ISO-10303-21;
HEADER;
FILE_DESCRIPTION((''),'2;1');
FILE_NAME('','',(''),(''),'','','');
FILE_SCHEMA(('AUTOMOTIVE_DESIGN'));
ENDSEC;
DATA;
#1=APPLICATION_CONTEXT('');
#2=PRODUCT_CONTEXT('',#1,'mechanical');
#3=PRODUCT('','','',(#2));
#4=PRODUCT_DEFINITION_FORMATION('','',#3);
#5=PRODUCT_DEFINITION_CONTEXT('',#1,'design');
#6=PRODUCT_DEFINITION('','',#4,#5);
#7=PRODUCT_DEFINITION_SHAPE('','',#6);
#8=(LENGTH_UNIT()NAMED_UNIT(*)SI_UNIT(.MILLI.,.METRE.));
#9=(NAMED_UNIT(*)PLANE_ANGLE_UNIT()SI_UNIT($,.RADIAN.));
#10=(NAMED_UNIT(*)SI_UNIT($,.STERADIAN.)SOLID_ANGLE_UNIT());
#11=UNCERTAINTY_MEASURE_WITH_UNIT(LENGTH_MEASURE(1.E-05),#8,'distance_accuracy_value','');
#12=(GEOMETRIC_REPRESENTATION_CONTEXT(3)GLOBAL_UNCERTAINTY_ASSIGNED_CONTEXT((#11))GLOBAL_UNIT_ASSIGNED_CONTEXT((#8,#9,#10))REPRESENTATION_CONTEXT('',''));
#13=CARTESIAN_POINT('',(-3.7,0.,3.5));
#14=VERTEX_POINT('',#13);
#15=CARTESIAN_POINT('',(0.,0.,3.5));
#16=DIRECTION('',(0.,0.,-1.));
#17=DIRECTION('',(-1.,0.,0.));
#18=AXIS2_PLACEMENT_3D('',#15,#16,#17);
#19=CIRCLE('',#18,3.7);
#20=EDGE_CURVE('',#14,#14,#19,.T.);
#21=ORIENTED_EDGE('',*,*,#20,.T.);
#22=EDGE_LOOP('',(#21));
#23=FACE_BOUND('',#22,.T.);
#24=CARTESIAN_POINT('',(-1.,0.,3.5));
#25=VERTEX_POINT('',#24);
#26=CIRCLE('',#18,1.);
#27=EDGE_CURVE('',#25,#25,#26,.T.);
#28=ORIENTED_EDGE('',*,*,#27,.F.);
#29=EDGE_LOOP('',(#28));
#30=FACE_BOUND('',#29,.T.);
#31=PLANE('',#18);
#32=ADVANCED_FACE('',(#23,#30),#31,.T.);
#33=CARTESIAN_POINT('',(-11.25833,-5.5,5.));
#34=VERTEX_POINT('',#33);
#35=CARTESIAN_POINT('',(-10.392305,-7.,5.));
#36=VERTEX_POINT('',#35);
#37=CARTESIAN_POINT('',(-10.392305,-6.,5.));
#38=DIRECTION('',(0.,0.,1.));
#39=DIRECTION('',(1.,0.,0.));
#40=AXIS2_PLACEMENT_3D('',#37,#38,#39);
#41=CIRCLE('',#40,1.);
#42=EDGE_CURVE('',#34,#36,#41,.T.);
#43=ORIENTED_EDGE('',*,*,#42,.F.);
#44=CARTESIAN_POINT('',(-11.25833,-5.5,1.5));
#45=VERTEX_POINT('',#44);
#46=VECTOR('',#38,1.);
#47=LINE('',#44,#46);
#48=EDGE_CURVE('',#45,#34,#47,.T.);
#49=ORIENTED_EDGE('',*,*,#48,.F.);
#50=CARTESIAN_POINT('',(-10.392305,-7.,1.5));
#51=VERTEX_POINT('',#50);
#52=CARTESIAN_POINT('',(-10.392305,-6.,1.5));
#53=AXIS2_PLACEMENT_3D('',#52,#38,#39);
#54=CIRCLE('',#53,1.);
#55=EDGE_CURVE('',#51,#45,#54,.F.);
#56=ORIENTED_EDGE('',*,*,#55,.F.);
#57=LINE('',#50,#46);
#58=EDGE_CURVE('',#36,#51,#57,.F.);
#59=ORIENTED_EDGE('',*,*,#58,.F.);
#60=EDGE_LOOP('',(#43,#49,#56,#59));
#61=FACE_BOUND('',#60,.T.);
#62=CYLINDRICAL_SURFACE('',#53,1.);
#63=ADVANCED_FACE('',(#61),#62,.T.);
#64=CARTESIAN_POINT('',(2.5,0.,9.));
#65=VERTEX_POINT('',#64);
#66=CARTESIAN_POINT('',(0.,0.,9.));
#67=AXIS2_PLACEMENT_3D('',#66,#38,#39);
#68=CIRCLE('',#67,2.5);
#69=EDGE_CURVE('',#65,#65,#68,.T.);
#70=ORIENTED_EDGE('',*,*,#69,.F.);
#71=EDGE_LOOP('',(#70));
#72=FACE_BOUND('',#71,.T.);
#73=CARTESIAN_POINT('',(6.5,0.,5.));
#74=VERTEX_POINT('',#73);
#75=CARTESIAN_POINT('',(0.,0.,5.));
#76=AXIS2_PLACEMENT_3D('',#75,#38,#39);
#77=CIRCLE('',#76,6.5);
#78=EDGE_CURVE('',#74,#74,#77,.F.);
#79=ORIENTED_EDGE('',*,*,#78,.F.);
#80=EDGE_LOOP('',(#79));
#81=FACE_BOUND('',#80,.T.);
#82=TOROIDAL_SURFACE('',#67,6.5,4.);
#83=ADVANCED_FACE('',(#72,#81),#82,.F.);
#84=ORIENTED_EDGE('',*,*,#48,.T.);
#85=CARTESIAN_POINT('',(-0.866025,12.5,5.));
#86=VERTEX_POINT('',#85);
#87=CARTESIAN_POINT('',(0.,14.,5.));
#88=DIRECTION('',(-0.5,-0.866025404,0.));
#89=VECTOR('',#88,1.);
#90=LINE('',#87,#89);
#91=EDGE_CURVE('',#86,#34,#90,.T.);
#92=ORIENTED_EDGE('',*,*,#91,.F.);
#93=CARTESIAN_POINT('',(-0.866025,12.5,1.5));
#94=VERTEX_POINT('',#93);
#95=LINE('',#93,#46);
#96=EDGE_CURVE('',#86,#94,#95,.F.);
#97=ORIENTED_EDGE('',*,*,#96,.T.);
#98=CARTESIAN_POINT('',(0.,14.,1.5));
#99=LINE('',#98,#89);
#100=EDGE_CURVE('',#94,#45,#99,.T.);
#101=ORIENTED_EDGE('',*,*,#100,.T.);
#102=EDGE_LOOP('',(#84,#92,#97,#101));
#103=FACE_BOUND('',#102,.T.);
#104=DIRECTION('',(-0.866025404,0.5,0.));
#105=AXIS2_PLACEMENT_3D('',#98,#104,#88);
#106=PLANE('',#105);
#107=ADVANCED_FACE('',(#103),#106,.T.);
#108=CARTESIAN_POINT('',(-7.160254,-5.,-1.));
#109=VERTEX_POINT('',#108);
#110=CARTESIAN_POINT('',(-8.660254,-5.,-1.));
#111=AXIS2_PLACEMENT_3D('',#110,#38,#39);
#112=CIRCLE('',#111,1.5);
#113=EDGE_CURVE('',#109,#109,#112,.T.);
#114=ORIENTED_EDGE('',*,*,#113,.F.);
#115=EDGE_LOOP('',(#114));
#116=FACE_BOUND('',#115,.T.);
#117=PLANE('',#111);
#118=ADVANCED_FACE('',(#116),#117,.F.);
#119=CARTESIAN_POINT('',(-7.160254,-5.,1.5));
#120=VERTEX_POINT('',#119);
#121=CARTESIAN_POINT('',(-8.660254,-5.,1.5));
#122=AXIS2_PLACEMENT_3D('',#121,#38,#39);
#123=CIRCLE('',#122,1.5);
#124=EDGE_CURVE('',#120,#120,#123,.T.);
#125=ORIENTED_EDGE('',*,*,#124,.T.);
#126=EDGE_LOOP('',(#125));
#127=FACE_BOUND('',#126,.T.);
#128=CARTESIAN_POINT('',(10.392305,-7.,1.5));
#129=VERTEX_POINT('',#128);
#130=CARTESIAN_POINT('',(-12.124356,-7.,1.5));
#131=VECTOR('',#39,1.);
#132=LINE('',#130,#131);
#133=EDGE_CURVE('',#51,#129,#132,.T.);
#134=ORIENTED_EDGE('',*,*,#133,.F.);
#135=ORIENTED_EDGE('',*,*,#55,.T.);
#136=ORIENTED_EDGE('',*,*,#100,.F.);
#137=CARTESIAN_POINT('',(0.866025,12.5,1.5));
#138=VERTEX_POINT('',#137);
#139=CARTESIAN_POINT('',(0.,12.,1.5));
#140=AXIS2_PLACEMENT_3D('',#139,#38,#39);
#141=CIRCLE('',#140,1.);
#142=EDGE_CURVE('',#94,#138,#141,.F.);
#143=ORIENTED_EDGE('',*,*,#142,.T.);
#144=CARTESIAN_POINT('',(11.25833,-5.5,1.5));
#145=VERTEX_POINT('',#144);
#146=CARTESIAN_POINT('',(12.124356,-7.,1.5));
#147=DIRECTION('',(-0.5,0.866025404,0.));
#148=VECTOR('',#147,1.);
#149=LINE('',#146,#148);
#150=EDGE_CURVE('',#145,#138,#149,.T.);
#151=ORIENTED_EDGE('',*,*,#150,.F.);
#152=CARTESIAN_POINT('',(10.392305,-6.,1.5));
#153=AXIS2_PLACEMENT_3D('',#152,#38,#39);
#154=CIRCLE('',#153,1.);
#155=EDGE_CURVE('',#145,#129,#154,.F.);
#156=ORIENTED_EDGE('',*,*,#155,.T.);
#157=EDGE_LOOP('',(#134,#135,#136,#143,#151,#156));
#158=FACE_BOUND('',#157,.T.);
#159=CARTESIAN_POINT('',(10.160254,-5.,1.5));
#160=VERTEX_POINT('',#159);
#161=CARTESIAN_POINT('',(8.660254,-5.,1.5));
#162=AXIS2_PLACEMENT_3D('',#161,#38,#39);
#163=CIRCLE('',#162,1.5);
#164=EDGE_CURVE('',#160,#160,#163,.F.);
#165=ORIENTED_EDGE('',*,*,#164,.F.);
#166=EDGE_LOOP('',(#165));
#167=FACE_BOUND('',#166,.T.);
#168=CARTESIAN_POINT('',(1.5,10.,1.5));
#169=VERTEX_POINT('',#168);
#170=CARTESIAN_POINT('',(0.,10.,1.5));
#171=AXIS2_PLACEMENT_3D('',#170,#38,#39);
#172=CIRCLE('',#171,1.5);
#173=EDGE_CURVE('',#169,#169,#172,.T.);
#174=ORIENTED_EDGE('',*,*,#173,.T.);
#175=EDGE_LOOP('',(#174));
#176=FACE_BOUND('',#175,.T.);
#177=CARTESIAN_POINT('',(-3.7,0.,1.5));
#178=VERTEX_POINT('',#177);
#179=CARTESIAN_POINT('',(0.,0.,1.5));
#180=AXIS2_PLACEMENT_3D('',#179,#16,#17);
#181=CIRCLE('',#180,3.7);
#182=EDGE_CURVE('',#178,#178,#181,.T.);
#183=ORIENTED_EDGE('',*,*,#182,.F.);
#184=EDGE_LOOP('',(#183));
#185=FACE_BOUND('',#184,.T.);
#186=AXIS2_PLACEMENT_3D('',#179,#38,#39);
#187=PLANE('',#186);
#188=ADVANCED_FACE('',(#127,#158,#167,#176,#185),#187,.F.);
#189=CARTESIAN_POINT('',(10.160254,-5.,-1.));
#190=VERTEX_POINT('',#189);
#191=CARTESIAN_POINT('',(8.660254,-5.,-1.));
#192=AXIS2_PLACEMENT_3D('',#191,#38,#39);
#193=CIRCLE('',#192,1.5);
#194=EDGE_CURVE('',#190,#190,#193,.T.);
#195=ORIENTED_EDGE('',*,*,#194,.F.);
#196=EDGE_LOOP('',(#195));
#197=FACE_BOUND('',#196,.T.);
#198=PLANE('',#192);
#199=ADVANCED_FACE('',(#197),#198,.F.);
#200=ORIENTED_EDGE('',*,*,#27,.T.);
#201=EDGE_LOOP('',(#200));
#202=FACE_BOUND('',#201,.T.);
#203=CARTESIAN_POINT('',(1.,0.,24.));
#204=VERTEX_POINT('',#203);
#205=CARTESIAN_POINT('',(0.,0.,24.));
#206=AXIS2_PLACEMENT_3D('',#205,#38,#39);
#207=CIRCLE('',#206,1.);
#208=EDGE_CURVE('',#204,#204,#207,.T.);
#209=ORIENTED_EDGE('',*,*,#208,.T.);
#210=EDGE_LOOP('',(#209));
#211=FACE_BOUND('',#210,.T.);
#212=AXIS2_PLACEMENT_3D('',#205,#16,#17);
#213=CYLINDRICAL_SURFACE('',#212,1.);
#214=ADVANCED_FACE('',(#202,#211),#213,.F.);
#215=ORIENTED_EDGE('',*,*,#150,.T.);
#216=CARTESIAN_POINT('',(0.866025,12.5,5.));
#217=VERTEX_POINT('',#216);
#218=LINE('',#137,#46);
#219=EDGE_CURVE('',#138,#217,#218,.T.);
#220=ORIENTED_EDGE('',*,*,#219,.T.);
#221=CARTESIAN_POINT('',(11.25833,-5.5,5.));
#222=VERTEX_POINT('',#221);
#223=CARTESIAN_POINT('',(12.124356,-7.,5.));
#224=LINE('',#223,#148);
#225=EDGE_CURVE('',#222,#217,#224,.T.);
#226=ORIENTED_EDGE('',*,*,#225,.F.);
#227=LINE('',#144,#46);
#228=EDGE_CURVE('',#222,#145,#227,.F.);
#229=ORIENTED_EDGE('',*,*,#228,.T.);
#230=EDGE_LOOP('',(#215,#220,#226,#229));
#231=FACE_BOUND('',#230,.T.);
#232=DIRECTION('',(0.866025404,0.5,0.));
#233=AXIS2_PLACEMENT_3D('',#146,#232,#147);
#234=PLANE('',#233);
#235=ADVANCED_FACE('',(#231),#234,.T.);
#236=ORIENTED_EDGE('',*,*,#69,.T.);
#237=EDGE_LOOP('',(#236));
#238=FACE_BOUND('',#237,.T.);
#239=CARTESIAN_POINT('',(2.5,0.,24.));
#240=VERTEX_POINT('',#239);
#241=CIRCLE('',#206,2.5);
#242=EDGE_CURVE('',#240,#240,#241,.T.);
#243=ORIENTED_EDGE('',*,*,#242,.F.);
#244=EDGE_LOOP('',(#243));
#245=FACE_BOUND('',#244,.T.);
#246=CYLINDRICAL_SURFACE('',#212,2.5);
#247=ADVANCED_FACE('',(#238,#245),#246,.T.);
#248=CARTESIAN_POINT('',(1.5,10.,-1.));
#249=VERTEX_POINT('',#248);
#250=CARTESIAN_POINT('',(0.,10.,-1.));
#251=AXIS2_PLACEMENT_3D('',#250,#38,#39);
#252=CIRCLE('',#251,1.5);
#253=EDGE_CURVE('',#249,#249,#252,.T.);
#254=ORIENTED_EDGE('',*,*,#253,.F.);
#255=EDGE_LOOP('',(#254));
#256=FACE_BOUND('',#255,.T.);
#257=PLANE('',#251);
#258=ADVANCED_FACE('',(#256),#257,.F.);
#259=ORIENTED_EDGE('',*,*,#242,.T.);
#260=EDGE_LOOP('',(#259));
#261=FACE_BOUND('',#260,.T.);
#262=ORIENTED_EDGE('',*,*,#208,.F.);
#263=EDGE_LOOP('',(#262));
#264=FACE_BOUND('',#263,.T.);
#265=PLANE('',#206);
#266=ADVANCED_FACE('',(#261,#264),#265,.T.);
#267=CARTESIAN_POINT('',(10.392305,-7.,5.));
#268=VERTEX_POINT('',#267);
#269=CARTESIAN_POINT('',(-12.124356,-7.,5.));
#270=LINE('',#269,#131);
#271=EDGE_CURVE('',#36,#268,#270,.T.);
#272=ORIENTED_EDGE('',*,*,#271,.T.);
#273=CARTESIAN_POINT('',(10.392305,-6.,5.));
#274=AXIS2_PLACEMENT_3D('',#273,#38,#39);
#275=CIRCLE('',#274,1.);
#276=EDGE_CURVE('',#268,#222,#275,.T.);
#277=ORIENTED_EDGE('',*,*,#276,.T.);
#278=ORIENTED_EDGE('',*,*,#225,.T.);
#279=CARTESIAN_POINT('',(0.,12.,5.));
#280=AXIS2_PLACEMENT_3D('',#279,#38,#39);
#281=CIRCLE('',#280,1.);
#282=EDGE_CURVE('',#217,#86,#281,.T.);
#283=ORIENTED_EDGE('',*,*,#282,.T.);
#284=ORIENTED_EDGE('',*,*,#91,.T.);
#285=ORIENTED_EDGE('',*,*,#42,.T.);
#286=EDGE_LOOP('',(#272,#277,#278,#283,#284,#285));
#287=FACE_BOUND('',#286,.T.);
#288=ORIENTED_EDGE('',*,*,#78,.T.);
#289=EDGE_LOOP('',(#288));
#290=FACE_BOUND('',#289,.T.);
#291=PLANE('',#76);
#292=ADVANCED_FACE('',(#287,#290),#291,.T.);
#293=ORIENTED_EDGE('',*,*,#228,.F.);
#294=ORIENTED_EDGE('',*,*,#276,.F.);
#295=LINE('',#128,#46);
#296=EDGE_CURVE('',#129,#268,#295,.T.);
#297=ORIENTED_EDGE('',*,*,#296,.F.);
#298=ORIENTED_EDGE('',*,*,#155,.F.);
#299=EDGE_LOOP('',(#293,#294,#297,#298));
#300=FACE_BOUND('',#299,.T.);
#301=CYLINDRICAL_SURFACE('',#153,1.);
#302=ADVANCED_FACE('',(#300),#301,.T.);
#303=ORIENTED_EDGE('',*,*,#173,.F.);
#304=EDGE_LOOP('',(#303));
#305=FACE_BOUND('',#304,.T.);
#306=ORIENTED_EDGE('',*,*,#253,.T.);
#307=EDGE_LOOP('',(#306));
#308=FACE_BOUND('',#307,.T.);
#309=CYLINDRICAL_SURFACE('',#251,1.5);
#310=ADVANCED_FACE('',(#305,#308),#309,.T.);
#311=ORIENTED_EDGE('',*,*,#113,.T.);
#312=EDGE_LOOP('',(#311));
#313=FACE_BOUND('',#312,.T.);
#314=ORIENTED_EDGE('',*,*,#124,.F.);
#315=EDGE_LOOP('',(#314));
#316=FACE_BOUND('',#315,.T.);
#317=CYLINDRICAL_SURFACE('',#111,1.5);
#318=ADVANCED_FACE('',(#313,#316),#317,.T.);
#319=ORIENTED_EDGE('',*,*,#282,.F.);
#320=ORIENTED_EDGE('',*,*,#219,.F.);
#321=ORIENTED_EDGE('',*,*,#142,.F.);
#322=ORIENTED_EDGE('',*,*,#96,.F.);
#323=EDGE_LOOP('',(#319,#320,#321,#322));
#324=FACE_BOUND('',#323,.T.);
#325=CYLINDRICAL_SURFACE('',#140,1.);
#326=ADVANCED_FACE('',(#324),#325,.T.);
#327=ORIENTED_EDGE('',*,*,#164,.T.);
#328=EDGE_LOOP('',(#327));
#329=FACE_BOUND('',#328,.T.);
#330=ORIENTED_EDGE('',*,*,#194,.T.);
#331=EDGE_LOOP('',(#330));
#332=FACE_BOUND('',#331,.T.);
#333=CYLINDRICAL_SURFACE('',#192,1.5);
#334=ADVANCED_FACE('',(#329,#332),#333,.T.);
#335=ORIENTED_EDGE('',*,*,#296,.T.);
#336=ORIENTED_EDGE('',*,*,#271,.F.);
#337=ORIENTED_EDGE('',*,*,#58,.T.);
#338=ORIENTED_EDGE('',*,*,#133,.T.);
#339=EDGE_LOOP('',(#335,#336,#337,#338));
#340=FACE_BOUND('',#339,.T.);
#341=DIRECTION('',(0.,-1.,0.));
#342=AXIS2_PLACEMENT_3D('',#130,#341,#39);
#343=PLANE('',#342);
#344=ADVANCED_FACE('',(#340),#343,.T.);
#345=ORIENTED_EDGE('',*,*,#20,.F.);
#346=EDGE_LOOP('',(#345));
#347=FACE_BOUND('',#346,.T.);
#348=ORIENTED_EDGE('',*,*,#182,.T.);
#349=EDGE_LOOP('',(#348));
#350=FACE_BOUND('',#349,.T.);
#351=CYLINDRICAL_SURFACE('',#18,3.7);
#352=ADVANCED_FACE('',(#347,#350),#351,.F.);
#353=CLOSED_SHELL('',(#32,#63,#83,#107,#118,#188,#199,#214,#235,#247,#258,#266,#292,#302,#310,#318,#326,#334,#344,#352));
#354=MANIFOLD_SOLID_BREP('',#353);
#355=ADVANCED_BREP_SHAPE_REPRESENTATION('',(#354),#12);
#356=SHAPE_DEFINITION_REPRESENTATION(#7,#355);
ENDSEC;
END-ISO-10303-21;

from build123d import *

# Parameters (mm, degrees)
SKETCH_1_R             = 2.5
SKETCH_1_R_2           = 1
EXTRUDE_2_DEPTH        = 24
EXTRUDE_3_DEPTH        = 2
EXTRUDE_3_DEPTH_BACK   = 1
SKETCH_3_R             = 1.5
EXTRUDE_3_2_DEPTH      = 2
EXTRUDE_3_2_DEPTH_BACK = 1
EXTRUDE_3_3_DEPTH      = 2
EXTRUDE_3_3_DEPTH_BACK = 1
SKETCH_4_R             = 2.23
CUT_EXTRUDE_1_DEPTH    = 2
EXTRUDE_6_DEPTH        = 3
EXTRUDE_6_DEPTH_BACK   = 0.5
SKETCH_10_R            = 2.35
SKETCH_10_R_2          = 2.23
CUT_EXTRUDE_2_DEPTH    = 1
SKETCH_11_R            = 3.7
CUT_EXTRUDE_3_DEPTH    = 2
SKETCH_12_R            = 1
CUT_EXTRUDE_4_DEPTH    = 27.532998323
FILLET_5_R             = 1
FILLET_6_R             = 4
SKETCH_14_R            = 2.75
SKETCH_14_R_2          = 2.23
CUT_EXTRUDE_5_DEPTH    = 2


with BuildPart() as part:
    # ｽｹｯﾁ1 → ﾎﾞｽ - 押し出し2 (new body)
    with BuildSketch(Plane.XY):
        Circle(SKETCH_1_R)
        Circle(SKETCH_1_R_2, mode=Mode.SUBTRACT)
    extrude(amount=EXTRUDE_2_DEPTH)

    # ｽｹｯﾁ4 → ｶｯﾄ - 押し出し1 (cut)
    with BuildSketch(Plane(origin=(0, 0, 0), x_dir=(-1, 0, 0), z_dir=(0, 0, -1))):
        Circle(SKETCH_4_R)
    extrude(amount=-CUT_EXTRUDE_1_DEPTH, mode=Mode.SUBTRACT)



with BuildPart() as body_2:
    # ｽｹｯﾁ3 → ﾎﾞｽ - 押し出し3 (new, two sides: drawn at the far end of the back side and taken through both)
    with BuildSketch(Plane.XY.offset(-EXTRUDE_3_DEPTH_BACK)):
        with Locations((0, 10)):
            Circle(SKETCH_3_R)
    extrude(amount=EXTRUDE_3_DEPTH + EXTRUDE_3_DEPTH_BACK)


with BuildPart() as body_3:
    # ｽｹｯﾁ3 → Extrude 3 2 (new, two sides: drawn at the far end of the back side and taken through both)
    with BuildSketch(Plane.XY.offset(-EXTRUDE_3_2_DEPTH_BACK)):
        with Locations((8.660254038, -5)):
            Circle(SKETCH_3_R)
    extrude(amount=EXTRUDE_3_2_DEPTH + EXTRUDE_3_2_DEPTH_BACK)


with BuildPart() as body_4:
    # ｽｹｯﾁ3 → Extrude 3 3 (new, two sides: drawn at the far end of the back side and taken through both)
    with BuildSketch(Plane.XY.offset(-EXTRUDE_3_3_DEPTH_BACK)):
        with Locations((-8.660254038, -5)):
            Circle(SKETCH_3_R)
    extrude(amount=EXTRUDE_3_3_DEPTH + EXTRUDE_3_3_DEPTH_BACK)


with BuildPart() as part_1:
    add(part.part)

    add(body_2.part)  # ﾎﾞｽ - 押し出し6 merges body 2

    add(body_3.part)  # ﾎﾞｽ - 押し出し6 merges body 3

    add(body_4.part)  # ﾎﾞｽ - 押し出し6 merges body 4
    # ｽｹｯﾁ5 → ﾎﾞｽ - 押し出し6 (add, two sides: drawn at the far end of the back side and taken through both)
    with BuildSketch(Plane.XY.offset(2).offset(-EXTRUDE_6_DEPTH_BACK)):
        Polygon((0, 14), (-12.124355653, -7), (12.124355653, -7), align=None)
    extrude(amount=EXTRUDE_6_DEPTH + EXTRUDE_6_DEPTH_BACK)

    # ｽｹｯﾁ10 → ｶｯﾄ - 押し出し2 (cut)
    with BuildSketch(Plane(origin=(0, 0, 0), x_dir=(-1, 0, 0), z_dir=(0, 0, -1))):
        Circle(SKETCH_10_R)
        Circle(SKETCH_10_R_2, mode=Mode.SUBTRACT)
    extrude(amount=-CUT_EXTRUDE_2_DEPTH, mode=Mode.SUBTRACT)

    # ｽｹｯﾁ11 → ｶｯﾄ - 押し出し3 (cut)
    with BuildSketch(Plane(origin=(0, 0, 1.5), x_dir=(-1, 0, 0), z_dir=(0, 0, -1))):
        Circle(SKETCH_11_R)
    extrude(amount=-CUT_EXTRUDE_3_DEPTH, mode=Mode.SUBTRACT)


with BuildPart() as cut_extrude_3_piece_1:
    # of the separate pieces the step leaves, piece 1, a body of its own (cut_extrude_3_pieces)
    add(part_1.part.solids().sort_by_distance((0, 14, 1.5))[0])

    # ｽｹｯﾁ12 → ｶｯﾄ - 押し出し4 (cut, through all)
    with BuildSketch(Plane.XY.offset(5)):
        with Locations(Location((0, 0, 0), (0, 0, 180))):
            Circle(SKETCH_12_R)
    extrude(amount=-CUT_EXTRUDE_4_DEPTH, mode=Mode.SUBTRACT)

    # ﾌｨﾚｯﾄ5
    fillet_5_edges = [cut_extrude_3_piece_1.edges().sort_by_distance(p)[0] for p in [
        (0, 14, 3.25),
        (12.124355653, -7, 3.25),
        (-12.124355653, -7, 3.25),
    ]]
    fillet(fillet_5_edges, radius=FILLET_5_R)

    # ﾌｨﾚｯﾄ6
    fillet_6_edges = [cut_extrude_3_piece_1.edges().sort_by_distance(p)[0] for p in [
        (-2.5, 0, 5),
    ]]
    fillet(fillet_6_edges, radius=FILLET_6_R)


with BuildPart() as cut_extrude_3_piece_2:
    # of the separate pieces the step leaves, piece 2, a body of its own (cut_extrude_3_pieces)
    add(part_1.part.solids().sort_by_distance((2.5, 0, 0))[0])

    # ｽｹｯﾁ14 → ｶｯﾄ - 押し出し5 (cut)
    with BuildSketch(Plane(origin=(0, 0, 0), x_dir=(-1, 0, 0), z_dir=(0, 0, -1))):
        Circle(SKETCH_14_R)
        Circle(SKETCH_14_R_2, mode=Mode.SUBTRACT)
    extrude(amount=-CUT_EXTRUDE_5_DEPTH, mode=Mode.SUBTRACT)


solid = cut_extrude_3_piece_1.part
